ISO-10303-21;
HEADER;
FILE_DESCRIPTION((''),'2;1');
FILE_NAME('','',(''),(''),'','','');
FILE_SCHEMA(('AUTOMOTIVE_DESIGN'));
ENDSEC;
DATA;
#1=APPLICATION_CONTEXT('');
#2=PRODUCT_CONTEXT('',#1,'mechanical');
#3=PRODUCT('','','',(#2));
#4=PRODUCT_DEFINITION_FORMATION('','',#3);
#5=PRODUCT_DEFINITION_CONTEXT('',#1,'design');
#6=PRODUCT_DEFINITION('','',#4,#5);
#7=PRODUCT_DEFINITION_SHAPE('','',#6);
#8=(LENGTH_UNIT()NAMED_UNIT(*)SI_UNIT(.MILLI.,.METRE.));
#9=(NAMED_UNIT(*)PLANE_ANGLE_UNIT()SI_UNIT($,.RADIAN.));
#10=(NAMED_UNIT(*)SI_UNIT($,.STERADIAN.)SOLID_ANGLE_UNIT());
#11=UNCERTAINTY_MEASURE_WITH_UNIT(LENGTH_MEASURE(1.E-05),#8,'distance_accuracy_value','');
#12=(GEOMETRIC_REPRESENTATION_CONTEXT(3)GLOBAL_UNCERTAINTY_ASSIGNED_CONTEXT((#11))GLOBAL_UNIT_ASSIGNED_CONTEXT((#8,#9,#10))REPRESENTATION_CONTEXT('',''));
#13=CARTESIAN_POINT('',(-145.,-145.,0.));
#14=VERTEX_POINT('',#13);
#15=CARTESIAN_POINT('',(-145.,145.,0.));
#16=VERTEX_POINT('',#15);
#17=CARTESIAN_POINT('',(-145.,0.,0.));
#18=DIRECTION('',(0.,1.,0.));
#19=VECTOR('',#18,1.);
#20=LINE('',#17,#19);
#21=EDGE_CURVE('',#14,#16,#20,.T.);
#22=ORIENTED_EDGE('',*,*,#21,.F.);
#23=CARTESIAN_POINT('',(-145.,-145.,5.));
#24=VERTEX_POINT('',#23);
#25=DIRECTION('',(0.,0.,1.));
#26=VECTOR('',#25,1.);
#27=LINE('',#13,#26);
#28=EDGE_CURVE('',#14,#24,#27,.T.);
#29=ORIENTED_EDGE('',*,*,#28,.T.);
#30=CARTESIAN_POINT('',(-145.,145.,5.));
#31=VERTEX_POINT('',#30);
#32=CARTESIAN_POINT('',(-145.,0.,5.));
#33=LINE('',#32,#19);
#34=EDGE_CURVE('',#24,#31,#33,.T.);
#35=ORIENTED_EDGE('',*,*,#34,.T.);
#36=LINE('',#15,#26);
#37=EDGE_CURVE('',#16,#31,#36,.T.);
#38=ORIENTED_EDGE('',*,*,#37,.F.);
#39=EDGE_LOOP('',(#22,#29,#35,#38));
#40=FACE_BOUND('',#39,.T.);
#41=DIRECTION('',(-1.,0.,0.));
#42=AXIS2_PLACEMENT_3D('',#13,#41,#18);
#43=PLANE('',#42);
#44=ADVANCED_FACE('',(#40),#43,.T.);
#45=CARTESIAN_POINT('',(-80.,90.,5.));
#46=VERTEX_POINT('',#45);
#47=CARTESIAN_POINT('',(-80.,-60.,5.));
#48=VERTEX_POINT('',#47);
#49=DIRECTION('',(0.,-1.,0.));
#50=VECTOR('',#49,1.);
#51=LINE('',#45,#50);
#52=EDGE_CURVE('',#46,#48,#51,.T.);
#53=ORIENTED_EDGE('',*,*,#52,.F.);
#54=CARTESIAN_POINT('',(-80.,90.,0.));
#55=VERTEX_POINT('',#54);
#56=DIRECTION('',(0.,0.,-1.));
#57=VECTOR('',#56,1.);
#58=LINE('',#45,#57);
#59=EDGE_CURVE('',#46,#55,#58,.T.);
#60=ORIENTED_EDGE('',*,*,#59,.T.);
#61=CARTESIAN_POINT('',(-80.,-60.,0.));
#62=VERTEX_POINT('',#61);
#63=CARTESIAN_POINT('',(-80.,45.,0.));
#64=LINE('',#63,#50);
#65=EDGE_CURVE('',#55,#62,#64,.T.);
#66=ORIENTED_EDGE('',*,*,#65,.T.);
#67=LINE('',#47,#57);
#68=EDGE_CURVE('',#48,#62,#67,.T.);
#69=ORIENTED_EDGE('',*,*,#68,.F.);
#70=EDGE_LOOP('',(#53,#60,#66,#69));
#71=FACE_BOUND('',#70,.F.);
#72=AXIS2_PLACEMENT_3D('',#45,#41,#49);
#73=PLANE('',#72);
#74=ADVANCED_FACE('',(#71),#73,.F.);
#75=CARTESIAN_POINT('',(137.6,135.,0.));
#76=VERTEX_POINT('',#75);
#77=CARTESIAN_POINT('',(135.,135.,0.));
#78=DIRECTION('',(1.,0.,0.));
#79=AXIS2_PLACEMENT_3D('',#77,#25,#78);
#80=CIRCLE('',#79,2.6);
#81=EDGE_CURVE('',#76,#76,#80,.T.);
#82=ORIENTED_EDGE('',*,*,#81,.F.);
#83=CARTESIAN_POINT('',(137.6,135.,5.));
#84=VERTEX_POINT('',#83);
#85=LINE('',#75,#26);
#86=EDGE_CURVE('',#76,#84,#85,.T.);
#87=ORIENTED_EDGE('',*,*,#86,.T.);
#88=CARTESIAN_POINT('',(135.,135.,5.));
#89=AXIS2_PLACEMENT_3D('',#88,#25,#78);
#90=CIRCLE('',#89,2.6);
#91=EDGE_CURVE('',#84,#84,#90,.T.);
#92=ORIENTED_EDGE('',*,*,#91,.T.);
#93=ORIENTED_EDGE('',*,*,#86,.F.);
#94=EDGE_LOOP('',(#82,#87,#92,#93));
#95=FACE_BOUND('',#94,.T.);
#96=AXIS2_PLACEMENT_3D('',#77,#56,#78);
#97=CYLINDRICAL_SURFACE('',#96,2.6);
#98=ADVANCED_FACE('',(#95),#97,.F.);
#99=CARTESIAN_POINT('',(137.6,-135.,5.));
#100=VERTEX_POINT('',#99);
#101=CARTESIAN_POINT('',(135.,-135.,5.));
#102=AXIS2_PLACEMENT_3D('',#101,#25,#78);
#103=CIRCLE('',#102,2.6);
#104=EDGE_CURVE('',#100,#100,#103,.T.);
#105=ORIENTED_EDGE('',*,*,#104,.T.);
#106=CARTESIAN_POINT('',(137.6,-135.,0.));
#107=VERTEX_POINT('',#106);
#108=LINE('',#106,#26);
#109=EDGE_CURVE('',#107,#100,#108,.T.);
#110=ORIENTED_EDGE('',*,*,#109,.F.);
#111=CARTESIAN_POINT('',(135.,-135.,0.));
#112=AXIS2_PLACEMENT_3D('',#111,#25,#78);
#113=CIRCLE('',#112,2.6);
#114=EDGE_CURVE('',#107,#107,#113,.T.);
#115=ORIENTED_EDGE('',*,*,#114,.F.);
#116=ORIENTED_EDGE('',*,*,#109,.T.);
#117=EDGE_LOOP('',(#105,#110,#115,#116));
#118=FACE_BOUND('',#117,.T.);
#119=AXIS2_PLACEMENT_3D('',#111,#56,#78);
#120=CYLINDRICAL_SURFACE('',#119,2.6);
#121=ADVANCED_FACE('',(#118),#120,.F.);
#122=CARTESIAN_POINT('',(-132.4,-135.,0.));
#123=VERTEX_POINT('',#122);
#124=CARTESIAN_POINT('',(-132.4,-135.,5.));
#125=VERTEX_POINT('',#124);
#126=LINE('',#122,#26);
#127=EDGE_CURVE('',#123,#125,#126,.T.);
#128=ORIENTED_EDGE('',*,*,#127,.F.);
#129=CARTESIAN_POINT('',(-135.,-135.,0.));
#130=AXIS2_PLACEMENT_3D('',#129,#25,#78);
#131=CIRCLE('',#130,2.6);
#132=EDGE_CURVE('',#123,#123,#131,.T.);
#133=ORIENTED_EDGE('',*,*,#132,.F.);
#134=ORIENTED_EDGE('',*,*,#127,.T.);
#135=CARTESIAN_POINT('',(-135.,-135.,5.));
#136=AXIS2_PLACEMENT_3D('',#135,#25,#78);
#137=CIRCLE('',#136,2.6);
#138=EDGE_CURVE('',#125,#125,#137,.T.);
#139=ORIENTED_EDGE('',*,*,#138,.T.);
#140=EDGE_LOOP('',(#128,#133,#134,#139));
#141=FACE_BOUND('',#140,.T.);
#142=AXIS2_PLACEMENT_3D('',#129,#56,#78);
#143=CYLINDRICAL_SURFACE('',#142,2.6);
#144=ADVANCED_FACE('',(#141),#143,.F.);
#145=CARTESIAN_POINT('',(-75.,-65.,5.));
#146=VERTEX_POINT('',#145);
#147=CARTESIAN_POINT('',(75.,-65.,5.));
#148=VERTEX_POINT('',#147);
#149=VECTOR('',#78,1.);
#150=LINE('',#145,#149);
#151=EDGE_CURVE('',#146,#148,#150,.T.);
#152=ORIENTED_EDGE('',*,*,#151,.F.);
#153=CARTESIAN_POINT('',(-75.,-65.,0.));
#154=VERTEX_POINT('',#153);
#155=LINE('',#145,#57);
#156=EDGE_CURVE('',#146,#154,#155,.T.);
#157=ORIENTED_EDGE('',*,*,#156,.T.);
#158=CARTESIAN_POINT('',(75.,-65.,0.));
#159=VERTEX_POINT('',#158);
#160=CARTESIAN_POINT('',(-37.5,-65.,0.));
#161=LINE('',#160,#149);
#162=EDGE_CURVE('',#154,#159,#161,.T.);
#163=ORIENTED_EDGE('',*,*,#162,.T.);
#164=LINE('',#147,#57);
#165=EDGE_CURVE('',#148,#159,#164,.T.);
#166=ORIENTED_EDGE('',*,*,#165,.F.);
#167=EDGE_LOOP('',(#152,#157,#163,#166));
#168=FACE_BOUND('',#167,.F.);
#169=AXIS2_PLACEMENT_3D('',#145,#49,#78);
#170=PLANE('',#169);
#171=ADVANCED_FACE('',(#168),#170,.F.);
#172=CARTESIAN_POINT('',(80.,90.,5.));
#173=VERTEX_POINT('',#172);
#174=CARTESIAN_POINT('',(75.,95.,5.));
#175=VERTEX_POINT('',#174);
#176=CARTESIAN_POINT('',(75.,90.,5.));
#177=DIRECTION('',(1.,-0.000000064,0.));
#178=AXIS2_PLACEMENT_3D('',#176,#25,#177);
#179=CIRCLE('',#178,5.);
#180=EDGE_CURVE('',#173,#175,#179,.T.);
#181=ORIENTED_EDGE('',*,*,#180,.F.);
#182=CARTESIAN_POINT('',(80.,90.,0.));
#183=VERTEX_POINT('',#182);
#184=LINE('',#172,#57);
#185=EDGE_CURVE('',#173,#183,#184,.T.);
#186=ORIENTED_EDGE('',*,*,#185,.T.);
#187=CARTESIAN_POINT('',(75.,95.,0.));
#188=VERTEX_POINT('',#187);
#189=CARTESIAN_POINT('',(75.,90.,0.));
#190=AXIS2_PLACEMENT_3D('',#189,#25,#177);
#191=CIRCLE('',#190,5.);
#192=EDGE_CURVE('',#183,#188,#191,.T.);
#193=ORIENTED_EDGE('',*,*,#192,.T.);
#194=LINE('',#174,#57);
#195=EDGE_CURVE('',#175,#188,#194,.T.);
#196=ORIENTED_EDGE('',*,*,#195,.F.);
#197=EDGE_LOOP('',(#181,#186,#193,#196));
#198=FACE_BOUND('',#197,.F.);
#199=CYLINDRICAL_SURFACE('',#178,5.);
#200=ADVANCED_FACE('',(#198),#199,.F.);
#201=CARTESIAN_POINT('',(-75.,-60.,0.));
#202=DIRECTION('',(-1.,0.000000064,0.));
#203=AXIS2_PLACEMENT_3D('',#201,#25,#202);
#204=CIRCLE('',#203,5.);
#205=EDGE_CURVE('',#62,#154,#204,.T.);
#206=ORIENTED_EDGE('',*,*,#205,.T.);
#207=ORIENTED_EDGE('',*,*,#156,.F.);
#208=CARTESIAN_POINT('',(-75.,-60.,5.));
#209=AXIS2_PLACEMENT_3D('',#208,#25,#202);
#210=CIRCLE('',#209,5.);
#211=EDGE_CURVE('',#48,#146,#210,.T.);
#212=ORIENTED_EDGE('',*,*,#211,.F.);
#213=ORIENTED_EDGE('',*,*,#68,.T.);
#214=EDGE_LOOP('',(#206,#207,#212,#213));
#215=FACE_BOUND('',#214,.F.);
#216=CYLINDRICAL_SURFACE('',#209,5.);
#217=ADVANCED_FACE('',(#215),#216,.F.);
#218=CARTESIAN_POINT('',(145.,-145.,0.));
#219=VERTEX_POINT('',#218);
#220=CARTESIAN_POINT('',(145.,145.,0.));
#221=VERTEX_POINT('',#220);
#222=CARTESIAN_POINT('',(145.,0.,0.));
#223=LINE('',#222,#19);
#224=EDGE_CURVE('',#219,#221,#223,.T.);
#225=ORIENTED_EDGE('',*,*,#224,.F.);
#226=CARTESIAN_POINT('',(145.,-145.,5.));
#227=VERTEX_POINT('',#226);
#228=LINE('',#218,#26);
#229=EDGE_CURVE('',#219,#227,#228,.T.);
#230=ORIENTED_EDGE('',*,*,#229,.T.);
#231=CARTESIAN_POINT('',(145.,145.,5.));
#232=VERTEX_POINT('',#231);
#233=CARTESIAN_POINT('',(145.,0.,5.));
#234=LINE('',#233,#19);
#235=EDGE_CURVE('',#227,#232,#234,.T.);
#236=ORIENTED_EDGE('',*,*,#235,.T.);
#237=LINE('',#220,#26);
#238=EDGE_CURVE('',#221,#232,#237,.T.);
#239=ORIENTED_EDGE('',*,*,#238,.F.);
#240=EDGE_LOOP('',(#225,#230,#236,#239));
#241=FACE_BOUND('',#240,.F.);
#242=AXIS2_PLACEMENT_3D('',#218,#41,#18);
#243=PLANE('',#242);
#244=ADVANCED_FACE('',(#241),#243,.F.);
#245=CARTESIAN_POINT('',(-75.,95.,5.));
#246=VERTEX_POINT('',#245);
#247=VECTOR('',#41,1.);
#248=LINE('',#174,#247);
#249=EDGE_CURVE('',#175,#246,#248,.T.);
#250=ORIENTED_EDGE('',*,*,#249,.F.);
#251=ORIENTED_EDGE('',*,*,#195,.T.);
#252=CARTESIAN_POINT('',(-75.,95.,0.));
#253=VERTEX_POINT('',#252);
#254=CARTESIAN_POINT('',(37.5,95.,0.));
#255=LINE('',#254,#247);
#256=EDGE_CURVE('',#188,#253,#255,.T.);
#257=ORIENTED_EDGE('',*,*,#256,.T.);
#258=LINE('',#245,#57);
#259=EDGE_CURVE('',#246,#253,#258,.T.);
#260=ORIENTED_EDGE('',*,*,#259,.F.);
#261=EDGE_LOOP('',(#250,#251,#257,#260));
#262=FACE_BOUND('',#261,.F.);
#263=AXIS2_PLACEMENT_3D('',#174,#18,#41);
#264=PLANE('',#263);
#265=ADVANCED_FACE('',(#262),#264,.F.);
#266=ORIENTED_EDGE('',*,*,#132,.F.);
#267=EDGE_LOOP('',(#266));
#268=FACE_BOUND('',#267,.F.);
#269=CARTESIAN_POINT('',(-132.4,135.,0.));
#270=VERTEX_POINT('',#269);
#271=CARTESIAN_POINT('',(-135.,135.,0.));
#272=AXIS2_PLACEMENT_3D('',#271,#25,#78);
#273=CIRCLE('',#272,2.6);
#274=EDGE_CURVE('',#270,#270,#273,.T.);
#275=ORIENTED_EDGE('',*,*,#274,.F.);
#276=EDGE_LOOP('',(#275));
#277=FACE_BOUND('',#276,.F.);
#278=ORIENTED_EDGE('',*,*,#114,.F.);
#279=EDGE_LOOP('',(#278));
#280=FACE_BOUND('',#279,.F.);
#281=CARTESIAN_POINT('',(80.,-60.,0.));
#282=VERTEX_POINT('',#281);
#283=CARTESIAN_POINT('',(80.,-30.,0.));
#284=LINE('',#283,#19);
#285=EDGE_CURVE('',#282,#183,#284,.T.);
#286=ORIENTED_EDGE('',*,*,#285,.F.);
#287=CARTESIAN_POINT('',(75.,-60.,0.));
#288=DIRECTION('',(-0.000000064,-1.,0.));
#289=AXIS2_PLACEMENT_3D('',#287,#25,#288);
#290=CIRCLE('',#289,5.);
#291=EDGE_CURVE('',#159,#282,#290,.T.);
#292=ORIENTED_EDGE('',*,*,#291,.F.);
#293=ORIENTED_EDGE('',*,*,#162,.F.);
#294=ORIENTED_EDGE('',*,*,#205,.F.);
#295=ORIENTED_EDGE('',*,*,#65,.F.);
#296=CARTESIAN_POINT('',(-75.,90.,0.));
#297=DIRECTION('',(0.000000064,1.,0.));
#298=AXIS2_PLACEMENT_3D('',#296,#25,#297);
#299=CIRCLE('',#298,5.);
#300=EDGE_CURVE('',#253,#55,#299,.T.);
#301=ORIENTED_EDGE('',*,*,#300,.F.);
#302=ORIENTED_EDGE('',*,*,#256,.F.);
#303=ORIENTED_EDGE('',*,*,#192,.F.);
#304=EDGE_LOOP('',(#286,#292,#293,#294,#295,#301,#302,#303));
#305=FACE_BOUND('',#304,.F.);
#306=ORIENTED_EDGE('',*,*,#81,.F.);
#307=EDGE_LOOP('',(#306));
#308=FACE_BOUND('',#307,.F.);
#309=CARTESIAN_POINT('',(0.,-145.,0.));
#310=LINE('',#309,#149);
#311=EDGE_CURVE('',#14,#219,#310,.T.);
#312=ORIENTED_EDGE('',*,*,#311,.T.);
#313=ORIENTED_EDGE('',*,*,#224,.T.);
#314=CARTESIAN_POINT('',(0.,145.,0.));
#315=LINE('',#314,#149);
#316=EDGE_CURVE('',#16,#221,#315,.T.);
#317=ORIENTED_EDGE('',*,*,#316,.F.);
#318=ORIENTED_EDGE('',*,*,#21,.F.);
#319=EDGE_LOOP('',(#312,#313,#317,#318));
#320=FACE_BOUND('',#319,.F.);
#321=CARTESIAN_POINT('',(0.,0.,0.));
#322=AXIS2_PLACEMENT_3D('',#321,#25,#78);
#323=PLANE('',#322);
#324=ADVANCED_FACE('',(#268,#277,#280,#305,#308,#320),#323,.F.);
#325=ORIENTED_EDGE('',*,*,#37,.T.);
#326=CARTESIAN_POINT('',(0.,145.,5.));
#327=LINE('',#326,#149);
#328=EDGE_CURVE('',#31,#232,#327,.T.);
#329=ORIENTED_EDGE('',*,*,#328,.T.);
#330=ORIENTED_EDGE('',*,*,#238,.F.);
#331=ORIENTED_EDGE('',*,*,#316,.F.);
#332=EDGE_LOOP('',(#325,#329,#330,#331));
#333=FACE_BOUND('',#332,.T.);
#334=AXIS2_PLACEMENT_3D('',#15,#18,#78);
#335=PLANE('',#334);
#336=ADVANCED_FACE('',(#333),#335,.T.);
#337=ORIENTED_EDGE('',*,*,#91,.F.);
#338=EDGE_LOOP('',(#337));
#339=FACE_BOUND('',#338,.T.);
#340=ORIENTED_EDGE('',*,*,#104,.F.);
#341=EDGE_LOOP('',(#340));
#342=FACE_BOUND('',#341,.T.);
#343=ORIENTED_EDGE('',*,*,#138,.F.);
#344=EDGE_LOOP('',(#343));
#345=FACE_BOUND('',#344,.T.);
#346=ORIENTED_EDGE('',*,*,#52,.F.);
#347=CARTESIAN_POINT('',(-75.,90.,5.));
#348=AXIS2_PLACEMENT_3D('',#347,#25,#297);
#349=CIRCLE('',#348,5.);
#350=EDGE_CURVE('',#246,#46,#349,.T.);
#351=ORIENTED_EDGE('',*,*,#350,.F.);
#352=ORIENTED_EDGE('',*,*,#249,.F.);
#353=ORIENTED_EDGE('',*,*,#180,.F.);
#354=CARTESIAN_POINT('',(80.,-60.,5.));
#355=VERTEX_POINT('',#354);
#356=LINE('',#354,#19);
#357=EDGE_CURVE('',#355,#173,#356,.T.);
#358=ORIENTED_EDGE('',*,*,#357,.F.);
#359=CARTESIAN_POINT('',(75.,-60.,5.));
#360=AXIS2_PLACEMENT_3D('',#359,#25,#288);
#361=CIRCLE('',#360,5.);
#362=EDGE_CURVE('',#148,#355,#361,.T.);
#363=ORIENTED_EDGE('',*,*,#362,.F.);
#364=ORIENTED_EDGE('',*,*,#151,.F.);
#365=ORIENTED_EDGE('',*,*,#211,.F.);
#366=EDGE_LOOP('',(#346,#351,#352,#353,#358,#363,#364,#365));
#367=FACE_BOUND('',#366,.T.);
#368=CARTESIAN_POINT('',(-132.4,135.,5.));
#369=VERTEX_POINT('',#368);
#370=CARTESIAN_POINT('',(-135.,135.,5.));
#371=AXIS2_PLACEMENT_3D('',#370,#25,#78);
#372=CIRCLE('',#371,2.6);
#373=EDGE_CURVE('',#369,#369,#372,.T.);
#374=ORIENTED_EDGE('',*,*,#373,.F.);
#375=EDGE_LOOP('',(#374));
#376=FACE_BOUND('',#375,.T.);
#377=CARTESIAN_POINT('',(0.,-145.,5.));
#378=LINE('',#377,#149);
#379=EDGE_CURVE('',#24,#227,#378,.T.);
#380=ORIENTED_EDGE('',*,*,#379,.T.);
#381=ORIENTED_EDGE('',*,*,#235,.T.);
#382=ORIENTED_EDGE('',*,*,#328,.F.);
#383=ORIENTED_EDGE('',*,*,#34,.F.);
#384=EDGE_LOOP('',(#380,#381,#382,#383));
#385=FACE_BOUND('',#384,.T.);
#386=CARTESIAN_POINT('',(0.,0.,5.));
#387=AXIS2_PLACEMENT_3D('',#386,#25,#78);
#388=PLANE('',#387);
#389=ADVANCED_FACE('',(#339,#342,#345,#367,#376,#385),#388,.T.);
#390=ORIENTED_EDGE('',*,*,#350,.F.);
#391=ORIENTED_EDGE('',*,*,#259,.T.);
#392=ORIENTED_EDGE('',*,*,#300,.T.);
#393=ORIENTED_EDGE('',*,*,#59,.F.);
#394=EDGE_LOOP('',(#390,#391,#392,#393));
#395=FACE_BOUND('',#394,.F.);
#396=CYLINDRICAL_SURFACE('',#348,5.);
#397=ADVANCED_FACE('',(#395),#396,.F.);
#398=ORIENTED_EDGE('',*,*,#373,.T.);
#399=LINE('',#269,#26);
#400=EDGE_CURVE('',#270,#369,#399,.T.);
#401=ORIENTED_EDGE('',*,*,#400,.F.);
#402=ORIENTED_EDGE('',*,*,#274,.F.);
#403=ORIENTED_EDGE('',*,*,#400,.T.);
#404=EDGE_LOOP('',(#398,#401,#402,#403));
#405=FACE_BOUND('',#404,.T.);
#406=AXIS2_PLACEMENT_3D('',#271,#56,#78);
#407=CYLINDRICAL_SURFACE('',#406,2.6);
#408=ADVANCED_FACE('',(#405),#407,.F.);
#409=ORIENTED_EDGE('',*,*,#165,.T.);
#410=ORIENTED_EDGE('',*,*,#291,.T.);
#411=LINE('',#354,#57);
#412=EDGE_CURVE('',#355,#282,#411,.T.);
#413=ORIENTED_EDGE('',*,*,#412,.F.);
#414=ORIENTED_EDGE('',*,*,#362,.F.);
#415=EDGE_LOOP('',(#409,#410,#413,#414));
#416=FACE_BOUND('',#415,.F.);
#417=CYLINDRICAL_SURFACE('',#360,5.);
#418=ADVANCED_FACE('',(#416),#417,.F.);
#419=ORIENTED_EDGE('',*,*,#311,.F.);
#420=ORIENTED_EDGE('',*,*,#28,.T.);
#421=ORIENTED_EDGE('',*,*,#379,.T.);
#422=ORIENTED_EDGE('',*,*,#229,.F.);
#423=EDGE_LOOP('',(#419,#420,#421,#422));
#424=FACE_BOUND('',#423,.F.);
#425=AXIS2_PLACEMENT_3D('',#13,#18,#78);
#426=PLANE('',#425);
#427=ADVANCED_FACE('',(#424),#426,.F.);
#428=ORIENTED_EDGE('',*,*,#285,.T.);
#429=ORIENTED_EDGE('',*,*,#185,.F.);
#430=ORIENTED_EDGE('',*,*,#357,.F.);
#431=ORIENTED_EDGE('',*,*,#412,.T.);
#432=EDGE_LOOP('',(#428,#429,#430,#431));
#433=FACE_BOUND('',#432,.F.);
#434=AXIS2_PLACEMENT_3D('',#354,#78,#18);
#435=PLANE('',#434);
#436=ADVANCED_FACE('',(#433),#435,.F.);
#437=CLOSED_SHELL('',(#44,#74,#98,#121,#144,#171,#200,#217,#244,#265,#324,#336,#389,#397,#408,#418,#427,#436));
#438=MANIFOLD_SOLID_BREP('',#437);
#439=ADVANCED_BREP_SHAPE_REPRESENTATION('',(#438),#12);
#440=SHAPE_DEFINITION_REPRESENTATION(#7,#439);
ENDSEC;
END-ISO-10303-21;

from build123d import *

# Parameters (mm, degrees)
F0_W     = 290
F0_H     = 290
F0_R     = 2.6
F1_DEPTH = 5
F3_DEPTH = 5.001


with BuildPart() as f1:
    # F0 (on Top) → F1 (new body)
    with BuildSketch(Plane.XY):
        Rectangle(F0_W, F0_H)
        with Locations((-135, -135)):
            Circle(F0_R, mode=Mode.SUBTRACT)
        with Locations((135, -135)):
            Circle(F0_R, mode=Mode.SUBTRACT)
        with Locations((-135, 135)):
            Circle(F0_R, mode=Mode.SUBTRACT)
        with Locations((135, 135)):
            Circle(F0_R, mode=Mode.SUBTRACT)
    extrude(amount=F1_DEPTH)

    # F2 (on face) → F3 (cut, through all)
    with BuildSketch(Plane.XY.offset(5)):
        with BuildLine():
            Line((-75, -65), (75, -65))
            ThreePointArc((75, -65), (78.535534, -63.535534), (80, -60))
            Line((80, -60), (80, 90))
            ThreePointArc((80, 90), (78.535534, 93.535534), (75, 95))
            Line((75, 95), (-75, 95))
            ThreePointArc((-75, 95), (-78.535534, 93.535534), (-80, 90))
            Line((-80, 90), (-80, -60))
            ThreePointArc((-80, -60), (-78.535534, -63.535534), (-75, -65))
        make_face()
    extrude(amount=-F3_DEPTH, mode=Mode.SUBTRACT)


solid = f1.part
